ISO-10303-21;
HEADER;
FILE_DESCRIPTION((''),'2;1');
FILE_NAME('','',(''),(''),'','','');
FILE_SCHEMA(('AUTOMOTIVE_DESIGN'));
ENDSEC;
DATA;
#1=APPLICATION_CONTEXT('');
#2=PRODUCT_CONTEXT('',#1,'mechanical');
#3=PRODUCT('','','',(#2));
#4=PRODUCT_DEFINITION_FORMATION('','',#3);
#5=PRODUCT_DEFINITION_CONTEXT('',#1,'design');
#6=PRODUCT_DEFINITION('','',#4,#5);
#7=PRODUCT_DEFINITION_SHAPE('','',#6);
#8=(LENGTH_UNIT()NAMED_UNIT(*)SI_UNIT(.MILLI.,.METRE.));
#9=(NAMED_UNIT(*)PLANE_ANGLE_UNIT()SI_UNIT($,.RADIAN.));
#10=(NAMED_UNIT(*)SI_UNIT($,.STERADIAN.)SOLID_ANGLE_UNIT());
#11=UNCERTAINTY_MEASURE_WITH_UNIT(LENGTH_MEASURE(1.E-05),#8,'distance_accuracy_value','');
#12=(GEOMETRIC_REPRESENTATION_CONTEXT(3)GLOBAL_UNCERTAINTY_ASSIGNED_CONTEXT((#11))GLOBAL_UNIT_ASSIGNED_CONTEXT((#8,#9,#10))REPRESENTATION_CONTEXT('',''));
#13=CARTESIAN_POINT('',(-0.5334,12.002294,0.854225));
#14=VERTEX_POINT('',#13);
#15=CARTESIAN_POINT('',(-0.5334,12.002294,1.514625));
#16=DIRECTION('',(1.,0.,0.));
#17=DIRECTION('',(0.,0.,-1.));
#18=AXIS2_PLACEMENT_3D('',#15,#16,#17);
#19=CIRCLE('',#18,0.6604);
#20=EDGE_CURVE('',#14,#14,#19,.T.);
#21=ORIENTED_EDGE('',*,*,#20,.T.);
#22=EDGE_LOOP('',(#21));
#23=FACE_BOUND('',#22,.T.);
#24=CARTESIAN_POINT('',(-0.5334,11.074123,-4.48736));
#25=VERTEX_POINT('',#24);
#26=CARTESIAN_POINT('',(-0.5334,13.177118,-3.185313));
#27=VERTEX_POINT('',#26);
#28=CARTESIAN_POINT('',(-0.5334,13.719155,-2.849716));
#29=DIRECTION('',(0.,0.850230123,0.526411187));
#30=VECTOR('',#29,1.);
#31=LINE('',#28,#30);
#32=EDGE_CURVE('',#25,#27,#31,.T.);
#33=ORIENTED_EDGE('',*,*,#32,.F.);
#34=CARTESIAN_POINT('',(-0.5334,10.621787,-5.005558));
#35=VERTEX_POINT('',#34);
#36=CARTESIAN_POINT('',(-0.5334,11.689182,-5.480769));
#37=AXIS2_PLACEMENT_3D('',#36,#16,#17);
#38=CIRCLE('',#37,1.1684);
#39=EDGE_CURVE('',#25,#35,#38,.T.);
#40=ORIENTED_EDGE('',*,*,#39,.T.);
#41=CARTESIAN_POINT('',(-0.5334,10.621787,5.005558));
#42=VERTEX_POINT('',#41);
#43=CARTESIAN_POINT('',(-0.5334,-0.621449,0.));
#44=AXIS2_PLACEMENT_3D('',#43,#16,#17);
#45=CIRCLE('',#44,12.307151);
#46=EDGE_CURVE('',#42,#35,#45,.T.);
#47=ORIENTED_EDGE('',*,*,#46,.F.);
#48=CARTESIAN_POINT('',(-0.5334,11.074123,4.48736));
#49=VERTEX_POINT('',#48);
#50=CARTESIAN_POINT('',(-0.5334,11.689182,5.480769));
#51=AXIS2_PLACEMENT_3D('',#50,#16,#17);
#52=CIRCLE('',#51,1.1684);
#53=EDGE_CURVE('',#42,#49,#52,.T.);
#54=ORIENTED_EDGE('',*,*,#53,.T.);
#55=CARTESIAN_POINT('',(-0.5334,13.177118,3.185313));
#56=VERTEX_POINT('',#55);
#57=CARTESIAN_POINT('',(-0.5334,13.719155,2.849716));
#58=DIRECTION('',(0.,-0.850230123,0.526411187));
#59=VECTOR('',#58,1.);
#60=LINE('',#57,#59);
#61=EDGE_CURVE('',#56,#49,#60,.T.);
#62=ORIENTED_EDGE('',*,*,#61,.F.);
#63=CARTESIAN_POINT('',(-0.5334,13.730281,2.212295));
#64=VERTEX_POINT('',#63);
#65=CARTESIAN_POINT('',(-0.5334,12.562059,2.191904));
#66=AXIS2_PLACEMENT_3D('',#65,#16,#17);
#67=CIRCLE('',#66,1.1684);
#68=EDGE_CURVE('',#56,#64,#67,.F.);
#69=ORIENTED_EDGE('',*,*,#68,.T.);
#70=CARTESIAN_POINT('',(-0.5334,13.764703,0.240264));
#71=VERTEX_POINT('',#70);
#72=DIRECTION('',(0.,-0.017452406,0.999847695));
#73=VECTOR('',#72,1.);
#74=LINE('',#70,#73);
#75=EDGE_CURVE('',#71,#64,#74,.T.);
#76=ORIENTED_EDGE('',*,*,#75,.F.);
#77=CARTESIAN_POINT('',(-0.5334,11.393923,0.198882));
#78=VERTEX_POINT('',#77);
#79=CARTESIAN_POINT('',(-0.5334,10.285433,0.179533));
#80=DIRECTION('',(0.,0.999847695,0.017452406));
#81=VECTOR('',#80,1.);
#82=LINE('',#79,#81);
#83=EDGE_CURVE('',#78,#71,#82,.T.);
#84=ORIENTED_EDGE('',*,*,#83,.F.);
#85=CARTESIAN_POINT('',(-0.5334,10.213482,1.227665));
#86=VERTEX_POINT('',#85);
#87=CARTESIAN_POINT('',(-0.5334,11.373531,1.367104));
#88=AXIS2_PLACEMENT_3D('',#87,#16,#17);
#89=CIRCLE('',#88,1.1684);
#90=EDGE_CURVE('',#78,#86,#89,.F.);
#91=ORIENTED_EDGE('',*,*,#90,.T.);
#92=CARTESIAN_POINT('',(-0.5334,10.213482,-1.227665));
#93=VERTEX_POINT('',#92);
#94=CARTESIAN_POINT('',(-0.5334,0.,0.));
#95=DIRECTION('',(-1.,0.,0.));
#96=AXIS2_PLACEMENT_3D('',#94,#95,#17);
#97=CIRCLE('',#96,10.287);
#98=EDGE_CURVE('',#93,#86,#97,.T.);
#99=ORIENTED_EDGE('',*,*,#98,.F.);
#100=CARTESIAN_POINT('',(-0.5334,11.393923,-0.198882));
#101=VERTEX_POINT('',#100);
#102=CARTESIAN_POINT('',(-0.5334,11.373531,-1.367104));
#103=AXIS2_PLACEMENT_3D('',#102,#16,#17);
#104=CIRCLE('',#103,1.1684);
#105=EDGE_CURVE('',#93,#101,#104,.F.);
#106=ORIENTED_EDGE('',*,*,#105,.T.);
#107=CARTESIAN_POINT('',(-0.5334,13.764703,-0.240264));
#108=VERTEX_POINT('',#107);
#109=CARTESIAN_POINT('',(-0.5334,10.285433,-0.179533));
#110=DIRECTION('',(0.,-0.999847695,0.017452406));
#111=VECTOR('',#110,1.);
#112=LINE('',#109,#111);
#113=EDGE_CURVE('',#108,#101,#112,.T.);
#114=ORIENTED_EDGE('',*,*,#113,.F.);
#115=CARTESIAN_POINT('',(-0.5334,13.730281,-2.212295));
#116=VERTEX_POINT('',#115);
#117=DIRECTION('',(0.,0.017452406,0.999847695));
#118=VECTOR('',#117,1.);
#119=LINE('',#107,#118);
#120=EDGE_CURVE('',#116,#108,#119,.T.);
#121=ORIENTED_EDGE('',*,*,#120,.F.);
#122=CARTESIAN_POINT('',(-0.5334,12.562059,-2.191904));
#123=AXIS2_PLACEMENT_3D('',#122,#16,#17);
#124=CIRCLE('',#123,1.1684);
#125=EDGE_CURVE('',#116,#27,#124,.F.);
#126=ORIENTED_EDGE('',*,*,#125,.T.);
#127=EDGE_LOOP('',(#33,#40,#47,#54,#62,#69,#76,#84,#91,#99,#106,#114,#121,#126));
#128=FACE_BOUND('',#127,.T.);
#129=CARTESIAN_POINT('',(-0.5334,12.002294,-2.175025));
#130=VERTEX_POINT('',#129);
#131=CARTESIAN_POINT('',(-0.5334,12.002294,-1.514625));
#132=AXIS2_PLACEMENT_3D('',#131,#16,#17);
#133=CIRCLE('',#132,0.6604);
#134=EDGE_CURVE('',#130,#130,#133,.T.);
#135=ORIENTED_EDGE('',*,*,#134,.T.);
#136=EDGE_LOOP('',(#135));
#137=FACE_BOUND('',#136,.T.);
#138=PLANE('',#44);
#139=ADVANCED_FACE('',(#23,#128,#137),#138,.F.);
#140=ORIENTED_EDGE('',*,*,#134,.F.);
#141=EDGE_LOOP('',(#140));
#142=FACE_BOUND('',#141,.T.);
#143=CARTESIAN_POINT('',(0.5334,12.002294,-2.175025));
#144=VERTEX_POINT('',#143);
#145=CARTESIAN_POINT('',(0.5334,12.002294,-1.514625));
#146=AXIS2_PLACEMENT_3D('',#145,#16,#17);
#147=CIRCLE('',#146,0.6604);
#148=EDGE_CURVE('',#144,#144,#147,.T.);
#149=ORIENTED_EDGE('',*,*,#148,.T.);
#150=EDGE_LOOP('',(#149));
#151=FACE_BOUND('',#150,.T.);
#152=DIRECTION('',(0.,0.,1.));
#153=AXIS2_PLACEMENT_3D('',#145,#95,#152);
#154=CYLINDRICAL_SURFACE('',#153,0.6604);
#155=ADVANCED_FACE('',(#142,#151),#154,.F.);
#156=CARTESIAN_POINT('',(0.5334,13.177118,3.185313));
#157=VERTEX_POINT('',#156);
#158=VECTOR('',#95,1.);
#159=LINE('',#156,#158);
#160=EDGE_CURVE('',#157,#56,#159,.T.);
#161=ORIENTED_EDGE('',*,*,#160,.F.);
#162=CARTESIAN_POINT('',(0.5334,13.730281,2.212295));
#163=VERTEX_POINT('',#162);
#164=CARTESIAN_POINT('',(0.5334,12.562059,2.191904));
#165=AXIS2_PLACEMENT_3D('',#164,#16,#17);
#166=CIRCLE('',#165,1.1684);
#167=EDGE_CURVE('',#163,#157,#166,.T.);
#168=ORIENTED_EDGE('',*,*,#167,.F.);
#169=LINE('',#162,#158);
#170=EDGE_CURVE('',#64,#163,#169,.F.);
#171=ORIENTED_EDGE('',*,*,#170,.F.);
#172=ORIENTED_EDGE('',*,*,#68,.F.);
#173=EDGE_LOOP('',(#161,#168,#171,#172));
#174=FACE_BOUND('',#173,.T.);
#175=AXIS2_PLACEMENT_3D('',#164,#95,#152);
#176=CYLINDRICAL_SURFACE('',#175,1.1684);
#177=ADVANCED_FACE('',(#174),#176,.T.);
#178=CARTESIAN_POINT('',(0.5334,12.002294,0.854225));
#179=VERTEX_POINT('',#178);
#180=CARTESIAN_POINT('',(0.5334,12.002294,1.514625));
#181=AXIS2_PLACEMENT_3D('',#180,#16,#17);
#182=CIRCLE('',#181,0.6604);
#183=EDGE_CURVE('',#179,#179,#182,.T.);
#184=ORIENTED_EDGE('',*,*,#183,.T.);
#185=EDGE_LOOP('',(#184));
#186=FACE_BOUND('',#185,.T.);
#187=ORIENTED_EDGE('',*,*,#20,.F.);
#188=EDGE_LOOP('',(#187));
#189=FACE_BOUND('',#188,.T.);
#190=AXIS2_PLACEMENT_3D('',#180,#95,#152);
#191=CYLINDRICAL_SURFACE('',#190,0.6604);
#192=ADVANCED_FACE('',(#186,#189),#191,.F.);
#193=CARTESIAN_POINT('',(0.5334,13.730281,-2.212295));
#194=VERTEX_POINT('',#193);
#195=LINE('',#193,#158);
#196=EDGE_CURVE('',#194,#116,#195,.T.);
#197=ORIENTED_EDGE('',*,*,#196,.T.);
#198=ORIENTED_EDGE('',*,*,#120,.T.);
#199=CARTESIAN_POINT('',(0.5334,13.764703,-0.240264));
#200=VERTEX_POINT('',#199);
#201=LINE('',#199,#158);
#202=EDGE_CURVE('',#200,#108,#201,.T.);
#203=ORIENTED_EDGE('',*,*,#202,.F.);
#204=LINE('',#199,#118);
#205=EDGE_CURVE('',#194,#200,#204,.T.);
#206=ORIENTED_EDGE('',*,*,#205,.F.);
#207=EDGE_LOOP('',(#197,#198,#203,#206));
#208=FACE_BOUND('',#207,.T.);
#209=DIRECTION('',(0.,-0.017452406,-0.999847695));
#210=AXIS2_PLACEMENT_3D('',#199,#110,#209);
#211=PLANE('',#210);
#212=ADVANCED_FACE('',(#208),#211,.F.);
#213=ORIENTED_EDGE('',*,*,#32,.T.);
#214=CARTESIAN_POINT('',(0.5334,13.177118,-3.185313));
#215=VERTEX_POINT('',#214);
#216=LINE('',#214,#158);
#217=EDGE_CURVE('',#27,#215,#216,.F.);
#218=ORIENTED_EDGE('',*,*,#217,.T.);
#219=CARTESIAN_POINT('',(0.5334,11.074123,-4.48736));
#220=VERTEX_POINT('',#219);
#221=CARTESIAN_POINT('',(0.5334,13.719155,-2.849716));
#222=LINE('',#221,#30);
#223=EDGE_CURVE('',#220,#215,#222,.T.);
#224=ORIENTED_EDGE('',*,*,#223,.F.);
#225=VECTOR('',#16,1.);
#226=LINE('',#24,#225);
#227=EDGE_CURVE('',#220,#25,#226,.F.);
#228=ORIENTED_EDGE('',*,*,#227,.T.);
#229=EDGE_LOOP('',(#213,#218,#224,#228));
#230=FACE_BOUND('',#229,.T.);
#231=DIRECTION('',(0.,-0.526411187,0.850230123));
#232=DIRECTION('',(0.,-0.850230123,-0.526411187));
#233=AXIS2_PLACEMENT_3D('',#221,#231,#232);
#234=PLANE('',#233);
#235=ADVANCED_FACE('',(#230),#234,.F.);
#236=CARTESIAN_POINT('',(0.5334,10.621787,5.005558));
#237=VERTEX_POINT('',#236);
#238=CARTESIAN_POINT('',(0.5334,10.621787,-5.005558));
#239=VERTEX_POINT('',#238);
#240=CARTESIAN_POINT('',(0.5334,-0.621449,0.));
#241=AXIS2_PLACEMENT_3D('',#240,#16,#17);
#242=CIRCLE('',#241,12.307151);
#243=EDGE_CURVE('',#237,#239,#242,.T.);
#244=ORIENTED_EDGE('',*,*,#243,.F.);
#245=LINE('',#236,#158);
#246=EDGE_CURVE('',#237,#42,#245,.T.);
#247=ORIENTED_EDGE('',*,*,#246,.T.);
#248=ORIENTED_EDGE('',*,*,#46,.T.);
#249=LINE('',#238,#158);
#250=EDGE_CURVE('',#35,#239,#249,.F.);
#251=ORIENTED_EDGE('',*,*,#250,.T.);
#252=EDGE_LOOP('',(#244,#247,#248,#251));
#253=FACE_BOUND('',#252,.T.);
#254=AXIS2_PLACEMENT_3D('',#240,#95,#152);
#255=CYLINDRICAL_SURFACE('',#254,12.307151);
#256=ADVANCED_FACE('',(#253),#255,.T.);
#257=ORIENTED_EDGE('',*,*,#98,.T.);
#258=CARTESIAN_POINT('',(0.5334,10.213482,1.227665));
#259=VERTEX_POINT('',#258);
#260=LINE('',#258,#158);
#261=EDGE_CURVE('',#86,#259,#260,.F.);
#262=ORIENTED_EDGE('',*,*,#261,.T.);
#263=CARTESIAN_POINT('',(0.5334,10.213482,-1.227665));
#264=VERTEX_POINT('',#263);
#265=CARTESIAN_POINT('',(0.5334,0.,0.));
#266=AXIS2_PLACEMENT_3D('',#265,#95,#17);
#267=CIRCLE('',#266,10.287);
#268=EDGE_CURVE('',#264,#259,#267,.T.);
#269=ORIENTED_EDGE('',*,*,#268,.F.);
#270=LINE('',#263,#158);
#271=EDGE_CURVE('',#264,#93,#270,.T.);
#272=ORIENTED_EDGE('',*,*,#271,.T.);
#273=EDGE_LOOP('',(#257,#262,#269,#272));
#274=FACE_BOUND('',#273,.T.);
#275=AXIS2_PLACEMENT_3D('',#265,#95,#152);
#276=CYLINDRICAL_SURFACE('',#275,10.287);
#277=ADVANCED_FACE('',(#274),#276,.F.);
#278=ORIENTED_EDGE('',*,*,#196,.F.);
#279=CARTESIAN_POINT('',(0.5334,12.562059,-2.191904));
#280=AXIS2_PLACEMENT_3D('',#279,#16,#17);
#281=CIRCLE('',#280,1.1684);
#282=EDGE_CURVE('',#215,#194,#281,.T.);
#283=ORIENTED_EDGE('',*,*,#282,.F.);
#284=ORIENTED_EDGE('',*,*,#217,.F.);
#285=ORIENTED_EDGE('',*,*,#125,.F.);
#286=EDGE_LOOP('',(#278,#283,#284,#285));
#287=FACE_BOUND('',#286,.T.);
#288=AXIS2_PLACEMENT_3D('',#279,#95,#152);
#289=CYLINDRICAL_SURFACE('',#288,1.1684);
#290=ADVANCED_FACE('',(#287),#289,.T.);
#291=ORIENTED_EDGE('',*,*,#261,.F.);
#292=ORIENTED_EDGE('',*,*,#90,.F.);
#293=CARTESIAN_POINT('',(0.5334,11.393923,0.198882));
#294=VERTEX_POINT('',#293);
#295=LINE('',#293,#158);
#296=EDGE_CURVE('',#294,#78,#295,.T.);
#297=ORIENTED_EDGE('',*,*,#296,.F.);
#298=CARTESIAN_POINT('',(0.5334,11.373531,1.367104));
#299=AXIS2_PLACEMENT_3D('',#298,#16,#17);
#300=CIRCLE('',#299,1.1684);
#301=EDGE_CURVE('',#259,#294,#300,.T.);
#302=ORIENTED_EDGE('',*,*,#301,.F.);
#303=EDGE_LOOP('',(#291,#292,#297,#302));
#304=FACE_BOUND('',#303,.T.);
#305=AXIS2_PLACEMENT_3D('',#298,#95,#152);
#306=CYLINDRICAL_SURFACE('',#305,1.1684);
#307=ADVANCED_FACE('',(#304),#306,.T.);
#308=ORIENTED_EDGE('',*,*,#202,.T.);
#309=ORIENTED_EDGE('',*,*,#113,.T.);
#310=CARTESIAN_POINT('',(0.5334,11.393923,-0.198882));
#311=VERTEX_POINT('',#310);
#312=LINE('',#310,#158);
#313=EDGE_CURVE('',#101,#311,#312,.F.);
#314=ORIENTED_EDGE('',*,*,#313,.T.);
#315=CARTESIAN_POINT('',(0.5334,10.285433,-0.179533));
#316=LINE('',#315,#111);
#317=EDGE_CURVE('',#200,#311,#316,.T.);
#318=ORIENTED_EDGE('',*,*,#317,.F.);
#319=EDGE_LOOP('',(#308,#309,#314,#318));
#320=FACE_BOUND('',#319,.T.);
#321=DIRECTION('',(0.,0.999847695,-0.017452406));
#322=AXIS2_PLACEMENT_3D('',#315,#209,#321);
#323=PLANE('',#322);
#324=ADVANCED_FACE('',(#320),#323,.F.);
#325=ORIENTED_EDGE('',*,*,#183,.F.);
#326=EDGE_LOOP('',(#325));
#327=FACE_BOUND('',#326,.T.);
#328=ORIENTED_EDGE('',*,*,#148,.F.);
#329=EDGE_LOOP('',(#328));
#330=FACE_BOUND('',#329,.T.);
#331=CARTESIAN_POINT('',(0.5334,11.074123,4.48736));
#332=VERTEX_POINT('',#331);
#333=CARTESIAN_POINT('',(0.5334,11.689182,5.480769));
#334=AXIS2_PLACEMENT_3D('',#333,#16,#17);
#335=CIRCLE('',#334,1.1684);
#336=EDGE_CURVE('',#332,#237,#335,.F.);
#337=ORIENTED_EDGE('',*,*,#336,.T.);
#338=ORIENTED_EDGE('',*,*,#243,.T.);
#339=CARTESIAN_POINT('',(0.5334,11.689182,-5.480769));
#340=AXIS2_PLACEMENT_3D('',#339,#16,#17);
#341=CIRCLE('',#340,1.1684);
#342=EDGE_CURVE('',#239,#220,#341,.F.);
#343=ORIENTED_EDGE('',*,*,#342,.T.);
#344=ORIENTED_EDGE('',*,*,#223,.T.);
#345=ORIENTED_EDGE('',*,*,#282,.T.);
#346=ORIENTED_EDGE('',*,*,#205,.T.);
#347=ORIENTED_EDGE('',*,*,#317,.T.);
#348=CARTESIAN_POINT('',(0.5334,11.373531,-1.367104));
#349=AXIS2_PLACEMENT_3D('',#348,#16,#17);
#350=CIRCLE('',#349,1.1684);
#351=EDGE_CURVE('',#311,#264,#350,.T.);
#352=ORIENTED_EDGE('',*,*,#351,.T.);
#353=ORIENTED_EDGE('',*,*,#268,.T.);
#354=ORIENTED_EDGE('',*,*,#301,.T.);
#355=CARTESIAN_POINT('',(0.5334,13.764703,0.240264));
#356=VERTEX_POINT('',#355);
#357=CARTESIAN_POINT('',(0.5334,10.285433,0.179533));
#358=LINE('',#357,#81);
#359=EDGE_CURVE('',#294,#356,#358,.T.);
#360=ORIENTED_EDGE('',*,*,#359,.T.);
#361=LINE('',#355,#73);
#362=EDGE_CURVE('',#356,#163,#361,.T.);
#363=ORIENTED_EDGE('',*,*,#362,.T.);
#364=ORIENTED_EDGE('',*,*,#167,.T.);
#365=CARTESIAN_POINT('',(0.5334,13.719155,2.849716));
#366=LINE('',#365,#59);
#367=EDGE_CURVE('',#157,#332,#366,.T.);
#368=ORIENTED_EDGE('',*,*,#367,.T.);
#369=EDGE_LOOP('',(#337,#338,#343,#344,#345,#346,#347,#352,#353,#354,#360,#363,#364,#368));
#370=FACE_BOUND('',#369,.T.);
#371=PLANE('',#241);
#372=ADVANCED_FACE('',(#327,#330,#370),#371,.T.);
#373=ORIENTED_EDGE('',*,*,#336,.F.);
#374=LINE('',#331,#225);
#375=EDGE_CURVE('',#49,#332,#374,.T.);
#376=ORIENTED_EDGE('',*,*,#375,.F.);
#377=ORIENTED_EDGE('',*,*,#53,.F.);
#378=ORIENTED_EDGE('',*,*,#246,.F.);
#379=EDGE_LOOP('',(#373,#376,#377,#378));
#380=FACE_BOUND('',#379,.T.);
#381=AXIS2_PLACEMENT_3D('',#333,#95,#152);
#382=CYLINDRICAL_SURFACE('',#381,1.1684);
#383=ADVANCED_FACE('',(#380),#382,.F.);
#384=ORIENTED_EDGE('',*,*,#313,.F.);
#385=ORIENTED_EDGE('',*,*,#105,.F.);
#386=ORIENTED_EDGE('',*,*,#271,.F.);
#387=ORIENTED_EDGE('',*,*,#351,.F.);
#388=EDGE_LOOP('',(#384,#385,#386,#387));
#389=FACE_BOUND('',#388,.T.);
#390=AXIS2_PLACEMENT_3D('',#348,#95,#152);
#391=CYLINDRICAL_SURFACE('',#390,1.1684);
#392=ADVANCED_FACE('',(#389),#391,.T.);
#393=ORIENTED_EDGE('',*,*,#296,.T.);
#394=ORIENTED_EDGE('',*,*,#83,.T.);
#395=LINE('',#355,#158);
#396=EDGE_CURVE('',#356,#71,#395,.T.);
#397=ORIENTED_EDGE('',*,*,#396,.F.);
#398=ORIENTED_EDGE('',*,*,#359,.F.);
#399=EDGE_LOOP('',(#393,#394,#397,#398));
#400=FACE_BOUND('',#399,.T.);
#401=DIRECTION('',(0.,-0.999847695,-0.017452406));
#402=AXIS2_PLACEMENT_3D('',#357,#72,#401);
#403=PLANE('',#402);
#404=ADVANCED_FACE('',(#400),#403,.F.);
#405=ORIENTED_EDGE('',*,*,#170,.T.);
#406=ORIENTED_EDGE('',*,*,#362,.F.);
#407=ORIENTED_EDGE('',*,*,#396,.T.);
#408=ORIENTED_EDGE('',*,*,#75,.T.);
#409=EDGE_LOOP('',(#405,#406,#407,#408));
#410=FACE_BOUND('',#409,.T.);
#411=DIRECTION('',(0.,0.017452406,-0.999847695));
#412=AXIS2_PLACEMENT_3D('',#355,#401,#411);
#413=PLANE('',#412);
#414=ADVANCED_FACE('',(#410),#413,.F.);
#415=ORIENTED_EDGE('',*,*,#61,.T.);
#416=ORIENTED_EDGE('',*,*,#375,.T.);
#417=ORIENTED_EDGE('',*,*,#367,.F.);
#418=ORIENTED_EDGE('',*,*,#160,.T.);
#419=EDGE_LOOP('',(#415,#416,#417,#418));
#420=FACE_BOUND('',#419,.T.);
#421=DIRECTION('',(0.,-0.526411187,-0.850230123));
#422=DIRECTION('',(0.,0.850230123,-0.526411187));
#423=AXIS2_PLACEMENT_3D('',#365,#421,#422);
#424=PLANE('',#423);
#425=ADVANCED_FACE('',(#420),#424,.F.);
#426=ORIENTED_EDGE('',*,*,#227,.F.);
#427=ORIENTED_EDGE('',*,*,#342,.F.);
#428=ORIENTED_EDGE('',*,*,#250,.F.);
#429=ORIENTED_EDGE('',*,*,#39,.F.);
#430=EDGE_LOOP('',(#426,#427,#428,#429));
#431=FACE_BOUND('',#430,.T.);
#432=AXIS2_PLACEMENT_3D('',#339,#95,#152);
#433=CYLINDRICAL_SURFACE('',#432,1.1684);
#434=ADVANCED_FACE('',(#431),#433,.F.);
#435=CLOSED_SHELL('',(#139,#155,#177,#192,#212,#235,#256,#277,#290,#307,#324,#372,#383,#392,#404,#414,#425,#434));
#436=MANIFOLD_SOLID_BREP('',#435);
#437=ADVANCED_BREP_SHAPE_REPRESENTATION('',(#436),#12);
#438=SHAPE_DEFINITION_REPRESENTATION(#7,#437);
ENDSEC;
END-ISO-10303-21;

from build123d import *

# Parameters (mm, degrees)
BOSS_EXTRUDE1_DEPTH      = 0.5334
BOSS_EXTRUDE1_DEPTH_BACK = 0.5334
SKETCH3_R                = 0.6604
FILLET1_R                = 1.1684


with BuildPart() as part:
    # Sketch3 → Boss-Extrude1 (new, two sides: drawn at the far end of the back side and taken through both)
    with BuildSketch(Plane(origin=(0, 0, 0), x_dir=(0, 0, -1), z_dir=(1, 0, 0)).offset(-BOSS_EXTRUDE1_DEPTH_BACK)):
        with BuildLine():
            Line((-2.849716296, 13.719155087), (-4.681521945, 10.760524305))
            ThreePointArc((-4.681521945, 10.760524305), (0, -12.9286), (4.681521945, 10.760524305))
            Line((4.681521945, 10.760524305), (2.849716296, 13.719155087))
            Line((2.849716296, 13.719155087), (0.240263789, 13.76470325))
            Line((0.240263789, 13.76470325), (0.179532905, 10.28543324))
            ThreePointArc((0.179532905, 10.28543324), (0, -10.287), (-0.179532905, 10.28543324))
            Line((-0.179532905, 10.28543324), (-0.240263789, 13.76470325))
            Line((-0.240263789, 13.76470325), (-2.849716296, 13.719155087))
        make_face()
        with Locations((-1.514624601, 12.002294163)):
            Circle(SKETCH3_R, mode=Mode.SUBTRACT)
        with Locations((1.514624601, 12.002294163)):
            Circle(SKETCH3_R, mode=Mode.SUBTRACT)
    extrude(amount=BOSS_EXTRUDE1_DEPTH + BOSS_EXTRUDE1_DEPTH_BACK)

    # Fillet1
    fillet1_edges = [part.edges().sort_by_distance(p)[0] for p in [
        (0, 10.760524305, 4.681521945),
        (0, 13.719155087, 2.849716296),
        (0, 10.28543324, 0.179532905),
        (0, 10.28543324, -0.179532905),
        (0, 13.719155087, -2.849716296),
        (0, 10.760524305, -4.681521945),
    ]]
    fillet(fillet1_edges, radius=FILLET1_R)


solid = part.part
